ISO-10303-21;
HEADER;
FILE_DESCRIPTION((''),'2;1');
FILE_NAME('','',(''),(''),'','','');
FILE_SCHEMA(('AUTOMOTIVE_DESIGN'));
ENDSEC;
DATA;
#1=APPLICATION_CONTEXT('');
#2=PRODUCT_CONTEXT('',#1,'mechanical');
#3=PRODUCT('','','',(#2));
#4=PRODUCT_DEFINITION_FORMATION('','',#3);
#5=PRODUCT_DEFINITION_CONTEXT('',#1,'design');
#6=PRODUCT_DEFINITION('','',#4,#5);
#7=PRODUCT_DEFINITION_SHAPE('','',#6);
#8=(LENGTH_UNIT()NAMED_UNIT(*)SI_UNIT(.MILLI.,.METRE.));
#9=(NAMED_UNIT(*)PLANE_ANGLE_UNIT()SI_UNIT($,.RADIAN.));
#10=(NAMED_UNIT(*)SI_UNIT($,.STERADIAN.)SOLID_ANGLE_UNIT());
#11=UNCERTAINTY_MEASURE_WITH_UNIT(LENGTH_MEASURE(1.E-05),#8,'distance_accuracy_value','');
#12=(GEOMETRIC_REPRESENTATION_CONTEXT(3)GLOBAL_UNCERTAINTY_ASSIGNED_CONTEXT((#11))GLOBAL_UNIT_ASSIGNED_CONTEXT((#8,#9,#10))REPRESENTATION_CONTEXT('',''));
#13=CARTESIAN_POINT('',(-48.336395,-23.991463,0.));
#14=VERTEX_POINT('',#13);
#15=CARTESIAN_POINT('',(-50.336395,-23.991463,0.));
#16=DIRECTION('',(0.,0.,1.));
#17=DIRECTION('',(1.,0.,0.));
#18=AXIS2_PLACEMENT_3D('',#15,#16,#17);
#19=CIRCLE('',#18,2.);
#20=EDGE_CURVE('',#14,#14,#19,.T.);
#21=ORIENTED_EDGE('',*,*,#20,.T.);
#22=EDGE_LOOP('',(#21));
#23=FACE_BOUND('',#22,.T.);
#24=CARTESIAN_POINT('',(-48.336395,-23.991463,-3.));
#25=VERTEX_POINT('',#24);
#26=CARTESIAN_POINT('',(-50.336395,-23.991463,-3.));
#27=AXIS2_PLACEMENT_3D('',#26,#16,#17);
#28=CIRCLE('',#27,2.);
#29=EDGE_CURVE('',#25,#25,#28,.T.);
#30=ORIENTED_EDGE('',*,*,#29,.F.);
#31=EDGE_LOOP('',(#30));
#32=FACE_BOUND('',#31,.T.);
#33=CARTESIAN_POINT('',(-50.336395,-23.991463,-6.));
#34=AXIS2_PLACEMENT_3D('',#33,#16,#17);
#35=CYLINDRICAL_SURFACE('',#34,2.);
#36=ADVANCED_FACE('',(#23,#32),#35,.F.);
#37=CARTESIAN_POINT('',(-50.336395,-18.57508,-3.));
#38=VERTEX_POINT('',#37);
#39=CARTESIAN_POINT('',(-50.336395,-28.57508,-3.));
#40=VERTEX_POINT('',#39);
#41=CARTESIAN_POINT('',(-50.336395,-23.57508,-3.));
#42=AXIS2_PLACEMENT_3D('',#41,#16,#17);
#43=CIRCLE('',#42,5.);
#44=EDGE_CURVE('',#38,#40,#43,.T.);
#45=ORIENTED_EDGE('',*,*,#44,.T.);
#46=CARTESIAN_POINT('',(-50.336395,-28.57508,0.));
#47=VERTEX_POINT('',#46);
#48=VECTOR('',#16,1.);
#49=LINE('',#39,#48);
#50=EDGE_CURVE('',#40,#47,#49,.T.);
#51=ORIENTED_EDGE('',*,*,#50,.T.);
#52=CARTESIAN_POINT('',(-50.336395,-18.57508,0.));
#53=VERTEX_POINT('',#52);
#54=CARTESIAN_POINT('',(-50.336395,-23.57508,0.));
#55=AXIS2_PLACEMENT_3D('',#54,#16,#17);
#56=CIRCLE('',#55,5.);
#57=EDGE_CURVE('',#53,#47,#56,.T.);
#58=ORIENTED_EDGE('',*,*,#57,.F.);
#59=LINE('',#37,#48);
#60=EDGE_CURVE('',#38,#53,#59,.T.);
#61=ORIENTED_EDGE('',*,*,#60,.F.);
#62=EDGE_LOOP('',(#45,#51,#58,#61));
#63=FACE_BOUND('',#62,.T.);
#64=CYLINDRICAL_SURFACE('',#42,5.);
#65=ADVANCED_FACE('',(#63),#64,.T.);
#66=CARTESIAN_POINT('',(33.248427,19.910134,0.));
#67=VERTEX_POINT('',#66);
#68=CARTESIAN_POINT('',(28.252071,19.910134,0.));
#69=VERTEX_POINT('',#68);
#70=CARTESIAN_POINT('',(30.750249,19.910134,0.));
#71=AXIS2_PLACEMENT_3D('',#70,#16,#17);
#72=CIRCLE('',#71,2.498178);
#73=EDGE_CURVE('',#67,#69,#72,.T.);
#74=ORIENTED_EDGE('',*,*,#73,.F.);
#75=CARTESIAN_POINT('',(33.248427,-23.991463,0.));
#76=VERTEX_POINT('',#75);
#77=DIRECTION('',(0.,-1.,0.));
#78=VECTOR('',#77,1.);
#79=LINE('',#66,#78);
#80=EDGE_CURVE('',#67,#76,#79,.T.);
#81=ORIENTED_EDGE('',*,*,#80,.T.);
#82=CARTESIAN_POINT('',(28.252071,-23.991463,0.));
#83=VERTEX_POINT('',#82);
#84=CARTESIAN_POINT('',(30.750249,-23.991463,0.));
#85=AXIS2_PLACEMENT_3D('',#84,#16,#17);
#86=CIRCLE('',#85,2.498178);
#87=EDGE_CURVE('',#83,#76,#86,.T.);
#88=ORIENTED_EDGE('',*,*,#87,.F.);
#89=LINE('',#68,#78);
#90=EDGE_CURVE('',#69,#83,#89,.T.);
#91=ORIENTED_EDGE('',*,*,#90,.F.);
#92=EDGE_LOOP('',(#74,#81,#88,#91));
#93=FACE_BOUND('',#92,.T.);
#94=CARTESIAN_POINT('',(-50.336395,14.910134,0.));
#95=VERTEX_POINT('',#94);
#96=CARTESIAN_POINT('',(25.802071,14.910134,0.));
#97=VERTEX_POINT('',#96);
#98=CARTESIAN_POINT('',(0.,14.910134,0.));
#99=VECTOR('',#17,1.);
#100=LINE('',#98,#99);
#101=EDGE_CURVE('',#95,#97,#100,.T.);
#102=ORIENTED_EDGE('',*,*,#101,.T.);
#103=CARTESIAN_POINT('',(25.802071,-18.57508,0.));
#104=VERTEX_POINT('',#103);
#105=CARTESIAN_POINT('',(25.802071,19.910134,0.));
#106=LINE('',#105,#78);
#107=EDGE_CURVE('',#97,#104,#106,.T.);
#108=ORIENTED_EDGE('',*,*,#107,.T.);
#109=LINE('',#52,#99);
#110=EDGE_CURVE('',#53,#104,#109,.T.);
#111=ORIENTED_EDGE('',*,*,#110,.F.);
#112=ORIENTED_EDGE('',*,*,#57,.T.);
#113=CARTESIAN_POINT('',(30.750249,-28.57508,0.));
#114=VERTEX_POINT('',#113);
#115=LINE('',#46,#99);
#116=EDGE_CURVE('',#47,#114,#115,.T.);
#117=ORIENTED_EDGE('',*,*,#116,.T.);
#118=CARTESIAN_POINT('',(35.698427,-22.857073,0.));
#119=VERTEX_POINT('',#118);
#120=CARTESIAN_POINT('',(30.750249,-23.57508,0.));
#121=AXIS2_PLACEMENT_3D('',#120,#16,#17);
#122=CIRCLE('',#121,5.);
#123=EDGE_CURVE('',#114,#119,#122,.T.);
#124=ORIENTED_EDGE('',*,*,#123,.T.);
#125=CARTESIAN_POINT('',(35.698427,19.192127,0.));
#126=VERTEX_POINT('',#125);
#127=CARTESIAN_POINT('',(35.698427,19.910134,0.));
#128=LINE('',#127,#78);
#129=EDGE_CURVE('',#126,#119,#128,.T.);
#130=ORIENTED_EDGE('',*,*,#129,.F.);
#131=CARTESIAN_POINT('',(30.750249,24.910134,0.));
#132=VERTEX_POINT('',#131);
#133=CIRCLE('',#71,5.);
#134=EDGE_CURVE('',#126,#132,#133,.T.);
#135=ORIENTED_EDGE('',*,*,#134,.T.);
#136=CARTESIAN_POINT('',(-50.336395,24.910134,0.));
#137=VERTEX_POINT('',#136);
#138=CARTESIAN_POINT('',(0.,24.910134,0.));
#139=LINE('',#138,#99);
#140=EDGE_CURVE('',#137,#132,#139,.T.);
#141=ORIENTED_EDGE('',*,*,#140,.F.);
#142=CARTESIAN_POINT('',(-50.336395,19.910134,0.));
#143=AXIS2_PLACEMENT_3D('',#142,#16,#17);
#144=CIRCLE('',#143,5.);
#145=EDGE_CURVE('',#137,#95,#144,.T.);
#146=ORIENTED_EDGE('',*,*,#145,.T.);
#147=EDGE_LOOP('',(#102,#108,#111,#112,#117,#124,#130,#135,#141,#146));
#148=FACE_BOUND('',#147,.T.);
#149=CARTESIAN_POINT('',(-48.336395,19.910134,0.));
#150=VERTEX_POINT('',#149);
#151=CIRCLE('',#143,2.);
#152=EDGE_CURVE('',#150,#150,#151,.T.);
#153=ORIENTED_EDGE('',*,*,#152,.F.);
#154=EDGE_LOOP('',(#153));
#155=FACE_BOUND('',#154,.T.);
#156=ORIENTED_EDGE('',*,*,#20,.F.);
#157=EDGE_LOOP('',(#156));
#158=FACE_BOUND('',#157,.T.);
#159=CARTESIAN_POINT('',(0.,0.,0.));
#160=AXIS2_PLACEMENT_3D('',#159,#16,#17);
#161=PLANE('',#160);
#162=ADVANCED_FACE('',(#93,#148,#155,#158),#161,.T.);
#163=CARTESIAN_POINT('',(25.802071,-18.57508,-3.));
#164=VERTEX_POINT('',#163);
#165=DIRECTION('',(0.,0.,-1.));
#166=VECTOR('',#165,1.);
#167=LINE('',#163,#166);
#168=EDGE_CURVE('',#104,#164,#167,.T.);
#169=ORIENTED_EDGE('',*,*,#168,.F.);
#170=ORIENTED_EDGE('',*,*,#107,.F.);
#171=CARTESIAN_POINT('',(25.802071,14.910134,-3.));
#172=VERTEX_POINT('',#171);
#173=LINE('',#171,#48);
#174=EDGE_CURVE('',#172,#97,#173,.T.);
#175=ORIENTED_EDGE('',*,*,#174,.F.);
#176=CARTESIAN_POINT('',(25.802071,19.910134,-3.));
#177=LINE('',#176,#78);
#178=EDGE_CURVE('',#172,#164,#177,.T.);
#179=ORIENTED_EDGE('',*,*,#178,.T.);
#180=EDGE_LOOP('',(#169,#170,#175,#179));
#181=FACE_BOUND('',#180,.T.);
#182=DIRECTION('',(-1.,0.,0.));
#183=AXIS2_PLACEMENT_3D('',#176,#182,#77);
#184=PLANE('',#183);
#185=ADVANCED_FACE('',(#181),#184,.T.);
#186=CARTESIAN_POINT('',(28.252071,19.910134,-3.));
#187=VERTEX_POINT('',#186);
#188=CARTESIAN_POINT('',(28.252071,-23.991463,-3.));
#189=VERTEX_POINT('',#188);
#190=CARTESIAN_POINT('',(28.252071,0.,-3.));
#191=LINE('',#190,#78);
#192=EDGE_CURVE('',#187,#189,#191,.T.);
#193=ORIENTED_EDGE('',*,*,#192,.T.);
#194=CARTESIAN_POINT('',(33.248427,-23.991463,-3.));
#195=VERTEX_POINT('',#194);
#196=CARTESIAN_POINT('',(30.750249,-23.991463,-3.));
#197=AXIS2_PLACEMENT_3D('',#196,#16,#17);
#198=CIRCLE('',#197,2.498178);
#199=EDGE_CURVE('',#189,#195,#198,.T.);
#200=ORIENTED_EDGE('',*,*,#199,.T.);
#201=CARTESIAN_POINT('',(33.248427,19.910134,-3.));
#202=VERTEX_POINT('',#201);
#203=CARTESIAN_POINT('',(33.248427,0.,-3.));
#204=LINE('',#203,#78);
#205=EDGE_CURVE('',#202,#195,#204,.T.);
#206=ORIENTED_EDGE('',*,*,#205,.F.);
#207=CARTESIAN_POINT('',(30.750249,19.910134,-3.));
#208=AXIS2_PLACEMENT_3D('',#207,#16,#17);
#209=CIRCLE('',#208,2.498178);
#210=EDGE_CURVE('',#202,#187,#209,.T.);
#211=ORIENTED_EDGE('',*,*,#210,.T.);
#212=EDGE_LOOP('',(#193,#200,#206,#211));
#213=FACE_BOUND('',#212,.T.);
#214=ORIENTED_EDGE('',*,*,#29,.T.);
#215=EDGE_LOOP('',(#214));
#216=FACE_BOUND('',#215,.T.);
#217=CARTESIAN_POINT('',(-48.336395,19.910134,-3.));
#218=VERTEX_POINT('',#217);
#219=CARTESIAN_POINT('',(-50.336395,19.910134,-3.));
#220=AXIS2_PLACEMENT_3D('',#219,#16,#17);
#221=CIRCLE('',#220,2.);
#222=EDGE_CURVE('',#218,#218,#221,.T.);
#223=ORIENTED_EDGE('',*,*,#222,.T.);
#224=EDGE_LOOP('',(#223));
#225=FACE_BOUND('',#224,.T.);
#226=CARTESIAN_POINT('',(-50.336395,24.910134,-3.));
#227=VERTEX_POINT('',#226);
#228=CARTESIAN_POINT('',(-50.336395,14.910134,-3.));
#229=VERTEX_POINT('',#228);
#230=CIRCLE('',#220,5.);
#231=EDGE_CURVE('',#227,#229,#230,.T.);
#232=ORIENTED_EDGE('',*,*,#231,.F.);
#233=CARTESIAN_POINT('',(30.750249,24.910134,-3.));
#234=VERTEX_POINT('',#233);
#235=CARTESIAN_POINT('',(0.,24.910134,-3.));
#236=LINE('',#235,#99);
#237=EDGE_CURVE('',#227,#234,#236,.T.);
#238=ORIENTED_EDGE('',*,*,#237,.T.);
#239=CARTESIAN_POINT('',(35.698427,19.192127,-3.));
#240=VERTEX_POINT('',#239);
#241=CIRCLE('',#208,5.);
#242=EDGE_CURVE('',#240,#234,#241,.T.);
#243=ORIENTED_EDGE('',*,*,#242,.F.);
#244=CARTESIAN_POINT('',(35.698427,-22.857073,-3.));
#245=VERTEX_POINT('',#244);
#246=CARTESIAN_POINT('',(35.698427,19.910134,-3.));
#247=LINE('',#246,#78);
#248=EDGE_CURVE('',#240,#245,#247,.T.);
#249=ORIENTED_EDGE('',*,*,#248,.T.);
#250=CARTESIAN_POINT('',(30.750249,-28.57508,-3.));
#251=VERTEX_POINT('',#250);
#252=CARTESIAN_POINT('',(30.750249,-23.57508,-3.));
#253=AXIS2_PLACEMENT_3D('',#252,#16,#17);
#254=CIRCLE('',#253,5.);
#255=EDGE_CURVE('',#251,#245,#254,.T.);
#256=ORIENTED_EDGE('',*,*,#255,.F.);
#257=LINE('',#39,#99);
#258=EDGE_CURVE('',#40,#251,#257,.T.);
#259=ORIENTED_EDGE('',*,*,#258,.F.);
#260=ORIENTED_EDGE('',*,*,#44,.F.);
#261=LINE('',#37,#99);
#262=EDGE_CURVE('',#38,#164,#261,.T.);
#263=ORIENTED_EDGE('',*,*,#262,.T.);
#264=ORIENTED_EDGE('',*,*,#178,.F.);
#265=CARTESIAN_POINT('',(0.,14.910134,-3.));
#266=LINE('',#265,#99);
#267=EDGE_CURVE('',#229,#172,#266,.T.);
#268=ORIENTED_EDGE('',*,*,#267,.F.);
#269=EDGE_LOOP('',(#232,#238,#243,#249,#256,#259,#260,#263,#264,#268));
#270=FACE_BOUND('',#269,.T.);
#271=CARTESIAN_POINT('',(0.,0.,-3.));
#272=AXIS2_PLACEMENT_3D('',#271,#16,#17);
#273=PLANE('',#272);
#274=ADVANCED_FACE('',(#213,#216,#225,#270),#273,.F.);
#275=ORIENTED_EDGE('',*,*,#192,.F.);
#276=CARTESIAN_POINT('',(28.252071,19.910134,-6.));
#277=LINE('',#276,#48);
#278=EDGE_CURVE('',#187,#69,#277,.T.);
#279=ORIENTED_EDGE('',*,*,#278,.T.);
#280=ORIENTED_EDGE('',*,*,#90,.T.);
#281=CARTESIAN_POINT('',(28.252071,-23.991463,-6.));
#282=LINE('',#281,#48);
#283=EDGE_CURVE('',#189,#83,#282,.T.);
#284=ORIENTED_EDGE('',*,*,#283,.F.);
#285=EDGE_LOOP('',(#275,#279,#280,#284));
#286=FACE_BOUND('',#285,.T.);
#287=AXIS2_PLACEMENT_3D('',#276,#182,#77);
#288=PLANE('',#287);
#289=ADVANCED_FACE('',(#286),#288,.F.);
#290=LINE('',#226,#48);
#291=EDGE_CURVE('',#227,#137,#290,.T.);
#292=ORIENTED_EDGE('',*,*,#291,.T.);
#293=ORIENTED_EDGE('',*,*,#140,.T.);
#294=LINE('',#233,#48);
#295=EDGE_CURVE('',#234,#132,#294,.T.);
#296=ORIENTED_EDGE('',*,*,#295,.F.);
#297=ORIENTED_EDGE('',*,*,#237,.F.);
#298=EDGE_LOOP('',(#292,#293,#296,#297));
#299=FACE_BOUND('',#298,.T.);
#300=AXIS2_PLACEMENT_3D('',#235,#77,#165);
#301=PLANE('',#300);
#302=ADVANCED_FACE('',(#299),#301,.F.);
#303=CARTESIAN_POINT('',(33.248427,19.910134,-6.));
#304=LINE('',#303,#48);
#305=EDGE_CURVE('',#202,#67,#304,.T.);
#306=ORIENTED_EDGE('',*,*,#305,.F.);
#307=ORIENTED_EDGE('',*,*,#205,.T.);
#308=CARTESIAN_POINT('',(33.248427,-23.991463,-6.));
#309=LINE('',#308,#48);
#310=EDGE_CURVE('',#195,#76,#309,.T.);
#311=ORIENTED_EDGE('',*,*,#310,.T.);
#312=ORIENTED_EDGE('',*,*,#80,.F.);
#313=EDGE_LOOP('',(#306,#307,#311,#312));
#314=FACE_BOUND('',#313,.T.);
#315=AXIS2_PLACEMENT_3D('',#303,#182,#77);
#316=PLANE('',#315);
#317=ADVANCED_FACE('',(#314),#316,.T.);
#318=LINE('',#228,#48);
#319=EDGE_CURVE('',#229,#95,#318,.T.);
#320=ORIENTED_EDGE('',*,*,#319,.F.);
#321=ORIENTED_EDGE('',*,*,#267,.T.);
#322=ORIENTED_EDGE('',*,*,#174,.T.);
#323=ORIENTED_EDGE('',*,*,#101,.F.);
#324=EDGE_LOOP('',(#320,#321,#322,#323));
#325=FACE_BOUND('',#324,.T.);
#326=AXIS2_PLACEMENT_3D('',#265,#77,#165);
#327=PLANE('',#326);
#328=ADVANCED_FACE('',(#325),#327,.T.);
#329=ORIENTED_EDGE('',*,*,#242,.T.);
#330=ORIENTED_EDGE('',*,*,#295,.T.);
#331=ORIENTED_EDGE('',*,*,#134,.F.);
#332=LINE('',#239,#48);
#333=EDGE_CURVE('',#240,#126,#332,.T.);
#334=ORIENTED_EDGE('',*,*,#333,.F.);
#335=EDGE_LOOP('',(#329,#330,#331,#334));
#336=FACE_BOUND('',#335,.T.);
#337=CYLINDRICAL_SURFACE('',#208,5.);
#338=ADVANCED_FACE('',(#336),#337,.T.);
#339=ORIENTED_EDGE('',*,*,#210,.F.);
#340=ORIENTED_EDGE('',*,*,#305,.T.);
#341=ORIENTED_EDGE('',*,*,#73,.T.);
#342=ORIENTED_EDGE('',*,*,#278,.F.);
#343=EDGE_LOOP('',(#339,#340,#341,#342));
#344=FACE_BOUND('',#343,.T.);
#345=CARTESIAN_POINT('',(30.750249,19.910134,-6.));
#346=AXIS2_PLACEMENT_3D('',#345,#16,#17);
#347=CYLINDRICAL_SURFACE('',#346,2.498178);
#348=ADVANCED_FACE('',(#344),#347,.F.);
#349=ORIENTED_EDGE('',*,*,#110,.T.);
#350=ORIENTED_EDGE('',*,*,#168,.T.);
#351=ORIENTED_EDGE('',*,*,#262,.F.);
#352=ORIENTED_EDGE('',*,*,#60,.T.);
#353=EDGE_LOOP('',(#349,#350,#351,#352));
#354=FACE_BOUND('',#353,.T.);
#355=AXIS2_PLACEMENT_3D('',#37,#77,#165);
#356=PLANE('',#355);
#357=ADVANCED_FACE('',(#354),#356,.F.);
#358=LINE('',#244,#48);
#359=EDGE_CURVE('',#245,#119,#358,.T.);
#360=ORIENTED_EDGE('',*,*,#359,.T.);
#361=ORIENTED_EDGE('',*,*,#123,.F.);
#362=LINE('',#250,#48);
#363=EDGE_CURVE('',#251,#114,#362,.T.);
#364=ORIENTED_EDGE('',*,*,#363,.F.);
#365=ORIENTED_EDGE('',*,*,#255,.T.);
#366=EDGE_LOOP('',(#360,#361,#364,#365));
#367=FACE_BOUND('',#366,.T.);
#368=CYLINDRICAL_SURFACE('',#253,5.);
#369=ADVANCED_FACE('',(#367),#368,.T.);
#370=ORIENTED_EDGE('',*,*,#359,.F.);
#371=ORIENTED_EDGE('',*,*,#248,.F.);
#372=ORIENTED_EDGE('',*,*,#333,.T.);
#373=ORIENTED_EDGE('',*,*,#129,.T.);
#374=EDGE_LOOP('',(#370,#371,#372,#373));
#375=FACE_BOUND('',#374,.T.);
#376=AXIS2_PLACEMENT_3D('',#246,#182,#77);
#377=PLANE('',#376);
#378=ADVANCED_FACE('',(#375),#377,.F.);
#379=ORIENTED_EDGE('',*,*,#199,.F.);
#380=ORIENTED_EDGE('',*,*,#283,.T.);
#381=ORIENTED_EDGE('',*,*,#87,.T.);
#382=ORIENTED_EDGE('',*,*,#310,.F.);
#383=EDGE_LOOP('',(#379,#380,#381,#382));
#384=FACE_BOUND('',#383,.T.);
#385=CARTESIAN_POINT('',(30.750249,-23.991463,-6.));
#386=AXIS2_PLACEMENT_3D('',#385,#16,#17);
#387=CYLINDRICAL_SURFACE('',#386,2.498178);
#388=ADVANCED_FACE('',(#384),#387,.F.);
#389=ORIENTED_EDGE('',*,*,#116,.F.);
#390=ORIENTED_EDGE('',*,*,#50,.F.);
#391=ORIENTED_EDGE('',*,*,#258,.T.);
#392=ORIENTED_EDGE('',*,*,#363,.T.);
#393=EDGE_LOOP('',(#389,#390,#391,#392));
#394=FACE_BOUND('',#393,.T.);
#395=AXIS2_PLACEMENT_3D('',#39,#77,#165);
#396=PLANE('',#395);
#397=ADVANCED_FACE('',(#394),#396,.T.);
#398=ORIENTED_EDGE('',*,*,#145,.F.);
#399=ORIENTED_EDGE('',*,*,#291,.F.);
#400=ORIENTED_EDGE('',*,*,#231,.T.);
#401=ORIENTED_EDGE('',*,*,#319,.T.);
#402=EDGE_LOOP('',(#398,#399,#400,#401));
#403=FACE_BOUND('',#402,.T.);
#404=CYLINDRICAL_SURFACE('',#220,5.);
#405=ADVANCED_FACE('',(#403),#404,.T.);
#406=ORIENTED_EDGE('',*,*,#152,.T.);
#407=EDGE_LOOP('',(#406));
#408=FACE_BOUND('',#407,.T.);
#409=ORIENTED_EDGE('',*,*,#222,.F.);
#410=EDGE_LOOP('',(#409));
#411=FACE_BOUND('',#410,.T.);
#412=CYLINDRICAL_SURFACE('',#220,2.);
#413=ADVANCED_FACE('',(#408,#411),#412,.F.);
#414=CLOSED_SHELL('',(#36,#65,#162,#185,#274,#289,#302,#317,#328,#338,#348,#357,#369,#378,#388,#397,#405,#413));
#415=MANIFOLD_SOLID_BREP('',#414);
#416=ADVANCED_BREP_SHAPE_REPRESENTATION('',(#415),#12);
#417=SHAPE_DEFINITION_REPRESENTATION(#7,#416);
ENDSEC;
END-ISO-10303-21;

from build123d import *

# Parameters (mm, degrees)
SKETCH_1_R          = 2
EXTRUDE_1_DEPTH     = 3
SKETCH_6_R          = 2
CUT_EXTRUDE_1_DEPTH = 6
CUT_EXTRUDE_2_DEPTH = 6


with BuildPart() as part:
    # 草图1 → 凸台-拉伸1 (new body)
    with BuildSketch(Plane.XY):
        with BuildLine():
            Line((30.750249224, 24.910133645), (-50.336395226, 24.910133645))
            ThreePointArc((-50.336395226, 24.910133645), (-55.336395226, 19.910133645), (-50.336395226, 14.910133645))
            Line((-50.336395226, 14.910133645), (25.802071198, 14.910133645))
            Line((25.802071198, 14.910133645), (25.802071198, -18.575080464))
            Line((25.802071198, -18.575080464), (-50.336395226, -18.575080464))
            ThreePointArc((-50.336395226, -18.575080464), (-55.336395226, -23.575080464), (-50.336395226, -28.575080464))
            Line((-50.336395226, -28.575080464), (30.750249224, -28.575080464))
            ThreePointArc((30.750249224, -28.575080464), (34.531124493, -26.846927374), (35.69842725, -22.857073344))
            Line((35.69842725, -22.857073344), (35.69842725, 19.192126526))
            ThreePointArc((35.69842725, 19.192126526), (34.531124493, 23.181980555), (30.750249224, 24.910133645))
        make_face()
        with Locations((-50.336395226, 19.910133645)):
            Circle(SKETCH_1_R, mode=Mode.SUBTRACT)
    extrude(amount=-EXTRUDE_1_DEPTH)

    # 草图6 → 切除-拉伸1 (cut)
    with BuildSketch(Plane.XY):
        with Locations((-50.336395226, -23.991463112)):
            Circle(SKETCH_6_R)
    extrude(amount=-CUT_EXTRUDE_1_DEPTH, mode=Mode.SUBTRACT)

    # 草图13 → 切除-拉伸2 (cut)
    with BuildSketch(Plane.XY):
        with BuildLine():
            Line((33.24842725, 19.910133645), (33.24842725, -23.991463112))
            ThreePointArc((33.24842725, -23.991463112), (30.750249224, -26.489641138), (28.252071198, -23.991463112))
            Line((28.252071198, -23.991463112), (28.252071198, 19.910133645))
            ThreePointArc((28.252071198, 19.910133645), (30.750249224, 22.408311671), (33.24842725, 19.910133645))
        make_face()
    extrude(amount=-CUT_EXTRUDE_2_DEPTH, mode=Mode.SUBTRACT)


solid = part.part
